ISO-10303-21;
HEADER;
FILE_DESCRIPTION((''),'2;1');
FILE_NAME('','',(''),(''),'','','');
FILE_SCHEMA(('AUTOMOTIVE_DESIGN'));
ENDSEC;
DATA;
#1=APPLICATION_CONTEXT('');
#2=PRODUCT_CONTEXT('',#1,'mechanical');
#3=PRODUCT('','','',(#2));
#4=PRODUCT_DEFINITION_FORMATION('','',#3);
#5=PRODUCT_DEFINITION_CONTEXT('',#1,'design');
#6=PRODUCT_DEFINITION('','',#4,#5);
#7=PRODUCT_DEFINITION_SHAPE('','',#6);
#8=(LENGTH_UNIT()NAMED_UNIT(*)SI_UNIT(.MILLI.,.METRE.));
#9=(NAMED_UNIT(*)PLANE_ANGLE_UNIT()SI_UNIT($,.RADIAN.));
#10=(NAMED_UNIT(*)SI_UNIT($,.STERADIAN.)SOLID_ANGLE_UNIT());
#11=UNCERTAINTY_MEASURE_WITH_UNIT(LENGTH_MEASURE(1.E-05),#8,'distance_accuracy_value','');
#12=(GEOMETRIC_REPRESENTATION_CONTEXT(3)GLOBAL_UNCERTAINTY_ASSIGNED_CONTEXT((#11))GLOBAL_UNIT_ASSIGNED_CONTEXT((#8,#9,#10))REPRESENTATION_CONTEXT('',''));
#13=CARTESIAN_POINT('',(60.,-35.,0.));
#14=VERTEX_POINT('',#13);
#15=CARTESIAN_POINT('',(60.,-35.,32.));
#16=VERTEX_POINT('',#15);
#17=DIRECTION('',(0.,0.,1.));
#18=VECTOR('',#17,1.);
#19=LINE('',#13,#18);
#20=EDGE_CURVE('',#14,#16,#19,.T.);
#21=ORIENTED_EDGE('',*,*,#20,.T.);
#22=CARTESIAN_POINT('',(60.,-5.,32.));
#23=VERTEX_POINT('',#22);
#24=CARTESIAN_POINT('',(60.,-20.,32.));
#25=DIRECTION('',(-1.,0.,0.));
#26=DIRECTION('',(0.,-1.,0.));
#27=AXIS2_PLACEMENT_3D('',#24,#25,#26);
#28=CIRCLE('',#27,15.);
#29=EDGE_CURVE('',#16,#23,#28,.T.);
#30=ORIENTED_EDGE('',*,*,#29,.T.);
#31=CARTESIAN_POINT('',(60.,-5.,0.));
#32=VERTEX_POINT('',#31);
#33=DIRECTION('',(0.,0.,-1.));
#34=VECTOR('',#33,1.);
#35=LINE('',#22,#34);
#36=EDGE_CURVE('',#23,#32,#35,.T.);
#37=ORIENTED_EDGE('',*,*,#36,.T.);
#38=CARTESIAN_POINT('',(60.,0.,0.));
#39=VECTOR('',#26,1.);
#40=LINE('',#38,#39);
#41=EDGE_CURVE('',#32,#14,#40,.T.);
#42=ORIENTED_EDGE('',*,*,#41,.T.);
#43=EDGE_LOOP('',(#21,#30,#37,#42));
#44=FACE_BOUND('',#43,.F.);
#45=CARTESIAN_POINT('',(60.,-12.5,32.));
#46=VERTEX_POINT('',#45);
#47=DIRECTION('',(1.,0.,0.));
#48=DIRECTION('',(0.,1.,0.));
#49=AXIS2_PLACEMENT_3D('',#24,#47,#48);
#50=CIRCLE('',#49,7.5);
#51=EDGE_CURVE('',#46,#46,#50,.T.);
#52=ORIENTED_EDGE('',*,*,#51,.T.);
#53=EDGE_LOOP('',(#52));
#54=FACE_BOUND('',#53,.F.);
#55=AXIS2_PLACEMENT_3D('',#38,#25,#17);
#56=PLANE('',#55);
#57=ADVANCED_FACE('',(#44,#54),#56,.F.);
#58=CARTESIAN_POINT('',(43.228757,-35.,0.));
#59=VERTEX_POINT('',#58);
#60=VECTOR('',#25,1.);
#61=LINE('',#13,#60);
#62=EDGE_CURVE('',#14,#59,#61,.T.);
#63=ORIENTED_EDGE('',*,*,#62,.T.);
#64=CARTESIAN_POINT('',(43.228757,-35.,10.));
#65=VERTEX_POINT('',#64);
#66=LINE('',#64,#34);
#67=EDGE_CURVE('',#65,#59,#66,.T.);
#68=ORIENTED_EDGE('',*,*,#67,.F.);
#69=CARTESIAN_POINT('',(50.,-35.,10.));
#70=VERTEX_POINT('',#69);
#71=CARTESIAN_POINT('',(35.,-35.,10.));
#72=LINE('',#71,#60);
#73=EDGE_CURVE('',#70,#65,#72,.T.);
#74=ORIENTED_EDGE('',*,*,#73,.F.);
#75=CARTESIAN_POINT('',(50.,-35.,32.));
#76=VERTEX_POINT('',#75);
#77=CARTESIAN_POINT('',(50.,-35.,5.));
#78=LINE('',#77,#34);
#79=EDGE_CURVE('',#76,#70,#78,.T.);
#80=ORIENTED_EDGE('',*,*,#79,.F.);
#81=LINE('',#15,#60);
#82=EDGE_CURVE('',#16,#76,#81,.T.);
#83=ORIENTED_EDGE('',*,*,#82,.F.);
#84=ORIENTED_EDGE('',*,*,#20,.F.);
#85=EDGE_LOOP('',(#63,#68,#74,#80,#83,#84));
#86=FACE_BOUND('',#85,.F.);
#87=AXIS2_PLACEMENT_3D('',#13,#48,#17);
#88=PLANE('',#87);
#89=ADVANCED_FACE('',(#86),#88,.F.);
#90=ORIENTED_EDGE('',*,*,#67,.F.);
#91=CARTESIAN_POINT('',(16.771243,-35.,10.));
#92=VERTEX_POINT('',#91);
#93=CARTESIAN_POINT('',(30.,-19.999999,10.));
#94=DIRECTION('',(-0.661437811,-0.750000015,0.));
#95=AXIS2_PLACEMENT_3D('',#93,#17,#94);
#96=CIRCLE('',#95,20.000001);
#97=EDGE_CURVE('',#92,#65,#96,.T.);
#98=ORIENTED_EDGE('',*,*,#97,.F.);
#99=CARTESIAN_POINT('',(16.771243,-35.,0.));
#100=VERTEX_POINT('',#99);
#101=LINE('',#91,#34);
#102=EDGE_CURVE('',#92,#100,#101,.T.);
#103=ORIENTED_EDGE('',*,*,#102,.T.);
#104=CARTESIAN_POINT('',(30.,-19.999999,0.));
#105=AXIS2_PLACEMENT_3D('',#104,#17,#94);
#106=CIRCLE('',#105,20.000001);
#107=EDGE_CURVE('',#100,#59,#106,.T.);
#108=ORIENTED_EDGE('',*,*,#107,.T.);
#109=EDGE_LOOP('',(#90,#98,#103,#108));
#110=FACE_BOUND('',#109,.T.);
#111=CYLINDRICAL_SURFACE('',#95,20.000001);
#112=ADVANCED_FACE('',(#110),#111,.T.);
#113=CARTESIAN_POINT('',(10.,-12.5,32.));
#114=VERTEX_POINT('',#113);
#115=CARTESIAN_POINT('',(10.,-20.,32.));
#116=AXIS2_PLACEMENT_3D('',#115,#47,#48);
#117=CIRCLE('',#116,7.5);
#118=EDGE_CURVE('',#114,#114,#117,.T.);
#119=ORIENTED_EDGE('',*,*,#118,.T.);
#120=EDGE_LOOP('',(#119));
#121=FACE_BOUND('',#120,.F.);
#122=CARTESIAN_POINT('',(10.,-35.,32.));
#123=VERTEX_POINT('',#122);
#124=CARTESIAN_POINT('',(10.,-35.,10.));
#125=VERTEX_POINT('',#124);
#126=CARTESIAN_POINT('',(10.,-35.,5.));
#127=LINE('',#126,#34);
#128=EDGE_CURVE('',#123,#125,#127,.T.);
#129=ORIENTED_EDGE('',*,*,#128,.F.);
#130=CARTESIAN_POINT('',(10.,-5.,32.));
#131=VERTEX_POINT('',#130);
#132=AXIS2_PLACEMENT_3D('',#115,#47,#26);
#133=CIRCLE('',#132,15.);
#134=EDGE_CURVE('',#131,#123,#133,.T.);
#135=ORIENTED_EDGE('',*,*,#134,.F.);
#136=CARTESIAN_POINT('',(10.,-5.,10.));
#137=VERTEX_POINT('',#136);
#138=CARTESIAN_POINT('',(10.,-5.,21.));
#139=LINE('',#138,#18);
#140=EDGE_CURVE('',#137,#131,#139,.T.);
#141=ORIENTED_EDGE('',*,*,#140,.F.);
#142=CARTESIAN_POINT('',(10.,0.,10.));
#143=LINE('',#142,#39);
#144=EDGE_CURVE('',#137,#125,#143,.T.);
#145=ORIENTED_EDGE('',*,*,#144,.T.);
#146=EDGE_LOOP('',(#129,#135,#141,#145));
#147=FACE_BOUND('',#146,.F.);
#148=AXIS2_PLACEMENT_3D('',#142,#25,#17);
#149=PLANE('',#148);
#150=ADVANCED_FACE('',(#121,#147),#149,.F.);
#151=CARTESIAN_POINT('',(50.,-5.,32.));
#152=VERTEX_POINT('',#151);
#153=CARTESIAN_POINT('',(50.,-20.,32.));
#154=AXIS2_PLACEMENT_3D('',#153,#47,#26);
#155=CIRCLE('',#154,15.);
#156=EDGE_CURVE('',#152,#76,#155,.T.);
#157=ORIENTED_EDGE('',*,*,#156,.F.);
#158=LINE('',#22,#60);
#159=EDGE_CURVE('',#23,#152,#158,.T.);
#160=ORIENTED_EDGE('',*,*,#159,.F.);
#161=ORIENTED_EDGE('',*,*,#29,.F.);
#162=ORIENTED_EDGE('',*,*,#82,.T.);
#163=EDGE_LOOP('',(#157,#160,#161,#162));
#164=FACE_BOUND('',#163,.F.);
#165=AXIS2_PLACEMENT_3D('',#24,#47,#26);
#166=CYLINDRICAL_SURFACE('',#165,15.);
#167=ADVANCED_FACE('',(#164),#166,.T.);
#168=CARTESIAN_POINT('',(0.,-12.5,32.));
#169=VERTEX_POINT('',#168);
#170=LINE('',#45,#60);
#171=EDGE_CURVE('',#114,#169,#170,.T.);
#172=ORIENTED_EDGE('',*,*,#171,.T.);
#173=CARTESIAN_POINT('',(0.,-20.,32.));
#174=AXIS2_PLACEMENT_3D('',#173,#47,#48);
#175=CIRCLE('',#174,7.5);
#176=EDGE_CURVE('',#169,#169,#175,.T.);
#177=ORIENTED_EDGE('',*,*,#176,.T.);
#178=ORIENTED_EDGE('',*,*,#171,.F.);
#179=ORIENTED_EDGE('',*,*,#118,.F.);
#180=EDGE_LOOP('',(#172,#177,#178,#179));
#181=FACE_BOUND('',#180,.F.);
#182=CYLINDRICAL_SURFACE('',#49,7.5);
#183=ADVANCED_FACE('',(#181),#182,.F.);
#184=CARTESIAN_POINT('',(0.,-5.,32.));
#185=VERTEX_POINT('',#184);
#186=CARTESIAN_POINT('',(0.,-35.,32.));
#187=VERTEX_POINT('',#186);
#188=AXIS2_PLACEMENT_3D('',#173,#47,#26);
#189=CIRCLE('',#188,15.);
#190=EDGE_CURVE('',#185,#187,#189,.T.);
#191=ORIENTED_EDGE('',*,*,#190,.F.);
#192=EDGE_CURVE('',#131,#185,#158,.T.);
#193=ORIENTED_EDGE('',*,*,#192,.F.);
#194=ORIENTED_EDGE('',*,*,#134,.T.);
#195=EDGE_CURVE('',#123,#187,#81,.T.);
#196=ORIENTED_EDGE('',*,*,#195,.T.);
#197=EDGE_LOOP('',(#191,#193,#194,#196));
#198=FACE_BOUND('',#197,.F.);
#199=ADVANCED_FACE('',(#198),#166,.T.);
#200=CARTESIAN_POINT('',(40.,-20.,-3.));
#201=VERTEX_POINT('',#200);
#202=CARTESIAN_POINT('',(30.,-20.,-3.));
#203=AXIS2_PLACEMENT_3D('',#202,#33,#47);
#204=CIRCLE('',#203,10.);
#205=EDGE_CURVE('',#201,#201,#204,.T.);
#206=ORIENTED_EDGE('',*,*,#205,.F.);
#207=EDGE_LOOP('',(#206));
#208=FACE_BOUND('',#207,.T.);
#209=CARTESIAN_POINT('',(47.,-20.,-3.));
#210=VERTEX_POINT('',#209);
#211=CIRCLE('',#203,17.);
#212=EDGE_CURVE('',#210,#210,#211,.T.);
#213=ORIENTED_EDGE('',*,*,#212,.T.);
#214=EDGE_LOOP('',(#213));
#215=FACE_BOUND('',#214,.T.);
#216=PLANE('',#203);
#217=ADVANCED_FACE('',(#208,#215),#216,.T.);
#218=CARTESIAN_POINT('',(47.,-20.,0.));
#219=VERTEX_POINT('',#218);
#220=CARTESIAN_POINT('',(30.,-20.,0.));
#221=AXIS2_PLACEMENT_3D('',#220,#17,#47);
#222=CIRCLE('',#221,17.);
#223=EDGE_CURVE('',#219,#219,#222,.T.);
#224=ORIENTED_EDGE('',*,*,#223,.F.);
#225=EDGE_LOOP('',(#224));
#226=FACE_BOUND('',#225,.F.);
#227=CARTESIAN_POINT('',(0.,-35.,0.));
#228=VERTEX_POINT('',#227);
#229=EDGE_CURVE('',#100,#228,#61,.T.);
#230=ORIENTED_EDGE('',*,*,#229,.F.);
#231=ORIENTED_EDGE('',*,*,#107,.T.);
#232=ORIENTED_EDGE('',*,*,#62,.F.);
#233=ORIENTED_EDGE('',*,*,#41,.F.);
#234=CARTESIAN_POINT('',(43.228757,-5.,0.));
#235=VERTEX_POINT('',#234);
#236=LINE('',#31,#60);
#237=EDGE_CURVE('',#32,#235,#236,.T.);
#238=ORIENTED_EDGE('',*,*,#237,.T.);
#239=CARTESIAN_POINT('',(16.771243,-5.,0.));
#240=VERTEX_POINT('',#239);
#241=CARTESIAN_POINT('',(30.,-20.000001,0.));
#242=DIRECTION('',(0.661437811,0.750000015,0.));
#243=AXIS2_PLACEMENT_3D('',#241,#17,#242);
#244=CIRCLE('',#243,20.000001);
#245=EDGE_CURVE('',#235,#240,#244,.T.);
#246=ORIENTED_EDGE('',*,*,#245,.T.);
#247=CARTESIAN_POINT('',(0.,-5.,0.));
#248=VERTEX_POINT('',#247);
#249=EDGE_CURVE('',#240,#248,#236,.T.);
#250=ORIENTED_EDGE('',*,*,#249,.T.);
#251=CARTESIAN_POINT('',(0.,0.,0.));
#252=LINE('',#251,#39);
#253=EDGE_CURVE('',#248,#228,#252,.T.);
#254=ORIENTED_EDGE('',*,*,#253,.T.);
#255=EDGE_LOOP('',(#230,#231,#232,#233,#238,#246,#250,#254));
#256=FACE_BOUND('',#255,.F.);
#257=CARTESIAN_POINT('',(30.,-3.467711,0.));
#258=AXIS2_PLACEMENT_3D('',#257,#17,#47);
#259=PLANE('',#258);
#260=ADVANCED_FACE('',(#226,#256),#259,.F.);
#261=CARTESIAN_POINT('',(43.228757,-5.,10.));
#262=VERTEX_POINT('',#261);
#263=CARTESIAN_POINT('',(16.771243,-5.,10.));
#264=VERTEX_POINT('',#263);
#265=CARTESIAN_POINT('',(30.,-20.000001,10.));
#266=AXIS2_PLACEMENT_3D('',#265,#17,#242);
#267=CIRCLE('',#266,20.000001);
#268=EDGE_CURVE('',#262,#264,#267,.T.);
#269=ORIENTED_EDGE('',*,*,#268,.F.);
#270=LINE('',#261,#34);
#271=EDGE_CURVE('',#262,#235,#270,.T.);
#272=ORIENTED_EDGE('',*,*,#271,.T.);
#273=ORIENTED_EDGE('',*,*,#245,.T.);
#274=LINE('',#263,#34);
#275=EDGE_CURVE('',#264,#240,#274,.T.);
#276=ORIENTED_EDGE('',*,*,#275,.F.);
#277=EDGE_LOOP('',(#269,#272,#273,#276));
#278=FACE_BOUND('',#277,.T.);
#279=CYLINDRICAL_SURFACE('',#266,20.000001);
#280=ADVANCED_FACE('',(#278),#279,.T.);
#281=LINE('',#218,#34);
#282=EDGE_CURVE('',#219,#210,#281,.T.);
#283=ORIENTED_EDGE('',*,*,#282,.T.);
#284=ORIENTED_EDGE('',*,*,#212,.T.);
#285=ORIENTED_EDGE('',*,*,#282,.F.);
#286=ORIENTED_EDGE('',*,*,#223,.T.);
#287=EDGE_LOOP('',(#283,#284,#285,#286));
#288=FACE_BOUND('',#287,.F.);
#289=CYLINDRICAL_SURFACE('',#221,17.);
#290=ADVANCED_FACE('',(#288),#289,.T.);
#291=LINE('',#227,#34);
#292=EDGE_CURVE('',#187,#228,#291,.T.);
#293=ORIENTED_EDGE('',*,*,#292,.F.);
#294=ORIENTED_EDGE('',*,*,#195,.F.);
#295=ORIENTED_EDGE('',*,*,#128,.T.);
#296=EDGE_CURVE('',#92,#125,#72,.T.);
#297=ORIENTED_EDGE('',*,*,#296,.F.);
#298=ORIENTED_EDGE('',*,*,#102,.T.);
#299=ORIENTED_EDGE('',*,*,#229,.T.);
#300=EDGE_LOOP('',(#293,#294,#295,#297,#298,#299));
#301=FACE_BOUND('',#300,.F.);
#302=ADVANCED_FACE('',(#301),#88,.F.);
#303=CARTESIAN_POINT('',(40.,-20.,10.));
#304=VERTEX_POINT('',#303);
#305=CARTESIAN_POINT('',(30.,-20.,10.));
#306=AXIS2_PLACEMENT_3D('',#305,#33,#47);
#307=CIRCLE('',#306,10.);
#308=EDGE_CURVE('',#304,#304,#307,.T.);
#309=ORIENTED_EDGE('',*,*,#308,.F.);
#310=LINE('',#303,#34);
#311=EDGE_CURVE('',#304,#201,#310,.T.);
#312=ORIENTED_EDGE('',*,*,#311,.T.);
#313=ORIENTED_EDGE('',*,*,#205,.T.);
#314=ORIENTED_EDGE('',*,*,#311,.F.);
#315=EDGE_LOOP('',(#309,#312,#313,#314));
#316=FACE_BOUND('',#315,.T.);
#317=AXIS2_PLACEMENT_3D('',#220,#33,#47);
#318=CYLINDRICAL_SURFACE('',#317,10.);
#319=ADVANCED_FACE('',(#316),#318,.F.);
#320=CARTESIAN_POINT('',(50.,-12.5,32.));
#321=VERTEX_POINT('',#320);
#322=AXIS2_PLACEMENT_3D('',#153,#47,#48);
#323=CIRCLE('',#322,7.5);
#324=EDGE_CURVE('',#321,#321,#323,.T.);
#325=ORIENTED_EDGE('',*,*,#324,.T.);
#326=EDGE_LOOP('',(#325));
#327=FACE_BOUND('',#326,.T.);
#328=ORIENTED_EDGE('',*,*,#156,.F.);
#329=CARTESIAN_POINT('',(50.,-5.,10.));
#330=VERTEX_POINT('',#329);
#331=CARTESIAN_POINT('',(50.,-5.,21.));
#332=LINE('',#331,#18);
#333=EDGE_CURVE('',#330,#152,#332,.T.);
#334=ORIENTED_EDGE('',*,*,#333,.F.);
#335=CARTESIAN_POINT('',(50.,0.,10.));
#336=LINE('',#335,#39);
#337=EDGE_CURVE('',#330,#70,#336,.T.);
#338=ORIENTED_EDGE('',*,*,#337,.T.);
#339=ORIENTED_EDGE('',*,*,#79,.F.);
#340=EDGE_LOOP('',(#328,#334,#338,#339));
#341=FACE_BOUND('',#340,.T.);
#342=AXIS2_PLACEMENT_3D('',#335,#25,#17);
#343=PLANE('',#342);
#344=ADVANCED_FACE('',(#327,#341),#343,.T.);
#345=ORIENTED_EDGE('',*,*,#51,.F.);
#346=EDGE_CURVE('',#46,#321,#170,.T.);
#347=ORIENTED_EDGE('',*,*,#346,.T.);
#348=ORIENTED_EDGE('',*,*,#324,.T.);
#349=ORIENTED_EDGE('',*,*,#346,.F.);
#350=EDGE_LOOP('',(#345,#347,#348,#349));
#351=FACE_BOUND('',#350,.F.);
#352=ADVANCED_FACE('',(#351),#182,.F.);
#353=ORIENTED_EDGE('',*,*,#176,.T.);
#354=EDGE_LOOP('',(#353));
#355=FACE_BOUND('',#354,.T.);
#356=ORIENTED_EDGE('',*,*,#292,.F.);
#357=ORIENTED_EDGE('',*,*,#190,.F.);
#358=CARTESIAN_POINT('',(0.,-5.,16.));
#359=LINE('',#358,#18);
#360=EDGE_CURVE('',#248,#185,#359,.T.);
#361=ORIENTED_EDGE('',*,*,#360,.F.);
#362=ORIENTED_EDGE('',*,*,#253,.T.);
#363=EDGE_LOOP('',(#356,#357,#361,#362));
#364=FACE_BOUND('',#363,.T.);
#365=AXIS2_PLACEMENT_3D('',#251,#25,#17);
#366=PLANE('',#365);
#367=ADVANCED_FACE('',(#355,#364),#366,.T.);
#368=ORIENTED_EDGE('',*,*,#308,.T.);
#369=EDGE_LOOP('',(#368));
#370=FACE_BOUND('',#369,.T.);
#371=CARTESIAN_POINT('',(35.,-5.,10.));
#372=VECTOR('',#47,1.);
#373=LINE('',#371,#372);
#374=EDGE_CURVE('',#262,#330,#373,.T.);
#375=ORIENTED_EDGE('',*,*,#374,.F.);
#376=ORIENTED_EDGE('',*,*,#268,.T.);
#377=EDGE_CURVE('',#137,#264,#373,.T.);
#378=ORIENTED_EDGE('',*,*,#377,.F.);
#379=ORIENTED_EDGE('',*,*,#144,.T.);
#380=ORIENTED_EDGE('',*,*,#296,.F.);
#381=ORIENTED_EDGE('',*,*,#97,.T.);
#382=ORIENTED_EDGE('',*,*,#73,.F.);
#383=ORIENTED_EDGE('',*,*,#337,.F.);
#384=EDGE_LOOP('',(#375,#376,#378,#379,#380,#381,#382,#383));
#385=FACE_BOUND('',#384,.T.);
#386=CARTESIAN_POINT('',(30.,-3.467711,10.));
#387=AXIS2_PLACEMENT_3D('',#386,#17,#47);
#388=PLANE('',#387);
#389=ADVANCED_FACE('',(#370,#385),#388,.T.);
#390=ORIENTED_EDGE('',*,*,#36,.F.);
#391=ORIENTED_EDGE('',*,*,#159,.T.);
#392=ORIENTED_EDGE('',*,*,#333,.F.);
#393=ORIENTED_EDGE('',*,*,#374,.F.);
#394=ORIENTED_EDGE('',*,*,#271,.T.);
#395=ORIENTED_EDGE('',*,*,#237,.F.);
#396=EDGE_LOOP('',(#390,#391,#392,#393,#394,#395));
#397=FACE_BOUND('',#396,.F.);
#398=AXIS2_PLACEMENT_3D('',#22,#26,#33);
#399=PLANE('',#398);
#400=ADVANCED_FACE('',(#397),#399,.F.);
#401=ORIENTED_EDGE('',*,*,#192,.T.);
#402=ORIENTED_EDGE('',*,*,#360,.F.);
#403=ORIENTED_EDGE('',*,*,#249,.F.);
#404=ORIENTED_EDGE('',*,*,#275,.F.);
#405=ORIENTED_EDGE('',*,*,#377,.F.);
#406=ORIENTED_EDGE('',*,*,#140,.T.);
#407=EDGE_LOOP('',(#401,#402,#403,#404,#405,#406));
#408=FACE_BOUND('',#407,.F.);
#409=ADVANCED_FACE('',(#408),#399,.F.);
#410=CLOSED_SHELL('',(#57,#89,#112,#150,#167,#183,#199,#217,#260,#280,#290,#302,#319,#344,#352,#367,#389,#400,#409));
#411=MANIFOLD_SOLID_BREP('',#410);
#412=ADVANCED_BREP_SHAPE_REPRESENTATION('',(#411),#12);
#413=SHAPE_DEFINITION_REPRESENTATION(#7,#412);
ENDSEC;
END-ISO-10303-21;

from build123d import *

# Parameters (mm, degrees)
F0_W      = 60
F0_H      = 47.5
F1_DEPTH  = 40
F2_W      = 40
F2_H      = 37.5
F3_DEPTH  = 40
F4_R      = 17
F5_DEPTH  = 3
F8_DEPTH  = 60.001
F9_R      = 7.5
F10_DEPTH = 60.001
F11_R     = 10
F12_DEPTH = 47.001
F14_R     = 10
F15_DEPTH = 25
F16_DEPTH = 10


with BuildPart() as f1:
    # F0 (on Front) → F1 (new body)
    with BuildSketch(Plane.XZ):
        with Locations((30, 23.75)):
            Rectangle(F0_W, F0_H)
    extrude(amount=F1_DEPTH)

    # F2 (on Front) → F3 (cut)
    with BuildSketch(Plane.XZ):
        with Locations((30, 28.75)):
            Rectangle(F2_W, F2_H)
    extrude(amount=F3_DEPTH, mode=Mode.SUBTRACT)

    # F4 (on face) → F5 (join)
    with BuildSketch(Plane(origin=(0, 0, 0), x_dir=(1, 0, 0), z_dir=(0, 0, -1))):
        with Locations((30, 20)):
            Circle(F4_R)
    extrude(amount=F5_DEPTH)

    # F7 (on face) → F8 (cut, through all)
    with BuildSketch(Plane.YZ.offset(60)):
        with BuildLine():
            Line((-40, 0), (-35, 0))
            Line((-35, 0), (-35, 32))
            ThreePointArc((-35, 32), (-20, 47), (-5, 32))
            Line((-5, 32), (-5, 0))
            Line((-5, 0), (0, 0))
            Line((0, 0), (0, 47.5))
            Line((0, 47.5), (-19.665197, 47.5))
            Line((-19.665197, 47.5), (-40, 47.5))
            Line((-40, 47.5), (-40, 0))
        make_face()
    extrude(amount=-F8_DEPTH, mode=Mode.SUBTRACT)

    # F9 (on face) → F10 (cut, through all)
    with BuildSketch(Plane.YZ.offset(60)):
        with Locations((-20, 32)):
            Circle(F9_R)
    extrude(amount=-F10_DEPTH, mode=Mode.SUBTRACT)

    # F11 (on Top) → F12 (cut, through all)
    with BuildSketch(Plane.XY):
        with Locations((30, -20)):
            Circle(F11_R)
    extrude(amount=F12_DEPTH, mode=Mode.SUBTRACT)

    # F14 (on face) → F15 (cut)
    with BuildSketch(Plane(origin=(0, 0, -3), x_dir=(1, 0, 0), z_dir=(0, 0, -1))):
        with Locations((30, 20)):
            Circle(F14_R)
    extrude(amount=-F15_DEPTH, mode=Mode.SUBTRACT)

    # F13 (on face) → F16 (join)
    with BuildSketch(Plane.XY.offset(10)):
        with BuildLine():
            Line((16.771243, -5), (43.228757, -5))
            ThreePointArc((43.228757, -5), (30, 0), (16.771243, -5))
        make_face()
        with BuildLine():
            Line((43.228757, -35), (16.771243, -35))
            ThreePointArc((16.771243, -35), (30, -40), (43.228757, -35))
        make_face()
    extrude(amount=-F16_DEPTH)


solid = f1.part
